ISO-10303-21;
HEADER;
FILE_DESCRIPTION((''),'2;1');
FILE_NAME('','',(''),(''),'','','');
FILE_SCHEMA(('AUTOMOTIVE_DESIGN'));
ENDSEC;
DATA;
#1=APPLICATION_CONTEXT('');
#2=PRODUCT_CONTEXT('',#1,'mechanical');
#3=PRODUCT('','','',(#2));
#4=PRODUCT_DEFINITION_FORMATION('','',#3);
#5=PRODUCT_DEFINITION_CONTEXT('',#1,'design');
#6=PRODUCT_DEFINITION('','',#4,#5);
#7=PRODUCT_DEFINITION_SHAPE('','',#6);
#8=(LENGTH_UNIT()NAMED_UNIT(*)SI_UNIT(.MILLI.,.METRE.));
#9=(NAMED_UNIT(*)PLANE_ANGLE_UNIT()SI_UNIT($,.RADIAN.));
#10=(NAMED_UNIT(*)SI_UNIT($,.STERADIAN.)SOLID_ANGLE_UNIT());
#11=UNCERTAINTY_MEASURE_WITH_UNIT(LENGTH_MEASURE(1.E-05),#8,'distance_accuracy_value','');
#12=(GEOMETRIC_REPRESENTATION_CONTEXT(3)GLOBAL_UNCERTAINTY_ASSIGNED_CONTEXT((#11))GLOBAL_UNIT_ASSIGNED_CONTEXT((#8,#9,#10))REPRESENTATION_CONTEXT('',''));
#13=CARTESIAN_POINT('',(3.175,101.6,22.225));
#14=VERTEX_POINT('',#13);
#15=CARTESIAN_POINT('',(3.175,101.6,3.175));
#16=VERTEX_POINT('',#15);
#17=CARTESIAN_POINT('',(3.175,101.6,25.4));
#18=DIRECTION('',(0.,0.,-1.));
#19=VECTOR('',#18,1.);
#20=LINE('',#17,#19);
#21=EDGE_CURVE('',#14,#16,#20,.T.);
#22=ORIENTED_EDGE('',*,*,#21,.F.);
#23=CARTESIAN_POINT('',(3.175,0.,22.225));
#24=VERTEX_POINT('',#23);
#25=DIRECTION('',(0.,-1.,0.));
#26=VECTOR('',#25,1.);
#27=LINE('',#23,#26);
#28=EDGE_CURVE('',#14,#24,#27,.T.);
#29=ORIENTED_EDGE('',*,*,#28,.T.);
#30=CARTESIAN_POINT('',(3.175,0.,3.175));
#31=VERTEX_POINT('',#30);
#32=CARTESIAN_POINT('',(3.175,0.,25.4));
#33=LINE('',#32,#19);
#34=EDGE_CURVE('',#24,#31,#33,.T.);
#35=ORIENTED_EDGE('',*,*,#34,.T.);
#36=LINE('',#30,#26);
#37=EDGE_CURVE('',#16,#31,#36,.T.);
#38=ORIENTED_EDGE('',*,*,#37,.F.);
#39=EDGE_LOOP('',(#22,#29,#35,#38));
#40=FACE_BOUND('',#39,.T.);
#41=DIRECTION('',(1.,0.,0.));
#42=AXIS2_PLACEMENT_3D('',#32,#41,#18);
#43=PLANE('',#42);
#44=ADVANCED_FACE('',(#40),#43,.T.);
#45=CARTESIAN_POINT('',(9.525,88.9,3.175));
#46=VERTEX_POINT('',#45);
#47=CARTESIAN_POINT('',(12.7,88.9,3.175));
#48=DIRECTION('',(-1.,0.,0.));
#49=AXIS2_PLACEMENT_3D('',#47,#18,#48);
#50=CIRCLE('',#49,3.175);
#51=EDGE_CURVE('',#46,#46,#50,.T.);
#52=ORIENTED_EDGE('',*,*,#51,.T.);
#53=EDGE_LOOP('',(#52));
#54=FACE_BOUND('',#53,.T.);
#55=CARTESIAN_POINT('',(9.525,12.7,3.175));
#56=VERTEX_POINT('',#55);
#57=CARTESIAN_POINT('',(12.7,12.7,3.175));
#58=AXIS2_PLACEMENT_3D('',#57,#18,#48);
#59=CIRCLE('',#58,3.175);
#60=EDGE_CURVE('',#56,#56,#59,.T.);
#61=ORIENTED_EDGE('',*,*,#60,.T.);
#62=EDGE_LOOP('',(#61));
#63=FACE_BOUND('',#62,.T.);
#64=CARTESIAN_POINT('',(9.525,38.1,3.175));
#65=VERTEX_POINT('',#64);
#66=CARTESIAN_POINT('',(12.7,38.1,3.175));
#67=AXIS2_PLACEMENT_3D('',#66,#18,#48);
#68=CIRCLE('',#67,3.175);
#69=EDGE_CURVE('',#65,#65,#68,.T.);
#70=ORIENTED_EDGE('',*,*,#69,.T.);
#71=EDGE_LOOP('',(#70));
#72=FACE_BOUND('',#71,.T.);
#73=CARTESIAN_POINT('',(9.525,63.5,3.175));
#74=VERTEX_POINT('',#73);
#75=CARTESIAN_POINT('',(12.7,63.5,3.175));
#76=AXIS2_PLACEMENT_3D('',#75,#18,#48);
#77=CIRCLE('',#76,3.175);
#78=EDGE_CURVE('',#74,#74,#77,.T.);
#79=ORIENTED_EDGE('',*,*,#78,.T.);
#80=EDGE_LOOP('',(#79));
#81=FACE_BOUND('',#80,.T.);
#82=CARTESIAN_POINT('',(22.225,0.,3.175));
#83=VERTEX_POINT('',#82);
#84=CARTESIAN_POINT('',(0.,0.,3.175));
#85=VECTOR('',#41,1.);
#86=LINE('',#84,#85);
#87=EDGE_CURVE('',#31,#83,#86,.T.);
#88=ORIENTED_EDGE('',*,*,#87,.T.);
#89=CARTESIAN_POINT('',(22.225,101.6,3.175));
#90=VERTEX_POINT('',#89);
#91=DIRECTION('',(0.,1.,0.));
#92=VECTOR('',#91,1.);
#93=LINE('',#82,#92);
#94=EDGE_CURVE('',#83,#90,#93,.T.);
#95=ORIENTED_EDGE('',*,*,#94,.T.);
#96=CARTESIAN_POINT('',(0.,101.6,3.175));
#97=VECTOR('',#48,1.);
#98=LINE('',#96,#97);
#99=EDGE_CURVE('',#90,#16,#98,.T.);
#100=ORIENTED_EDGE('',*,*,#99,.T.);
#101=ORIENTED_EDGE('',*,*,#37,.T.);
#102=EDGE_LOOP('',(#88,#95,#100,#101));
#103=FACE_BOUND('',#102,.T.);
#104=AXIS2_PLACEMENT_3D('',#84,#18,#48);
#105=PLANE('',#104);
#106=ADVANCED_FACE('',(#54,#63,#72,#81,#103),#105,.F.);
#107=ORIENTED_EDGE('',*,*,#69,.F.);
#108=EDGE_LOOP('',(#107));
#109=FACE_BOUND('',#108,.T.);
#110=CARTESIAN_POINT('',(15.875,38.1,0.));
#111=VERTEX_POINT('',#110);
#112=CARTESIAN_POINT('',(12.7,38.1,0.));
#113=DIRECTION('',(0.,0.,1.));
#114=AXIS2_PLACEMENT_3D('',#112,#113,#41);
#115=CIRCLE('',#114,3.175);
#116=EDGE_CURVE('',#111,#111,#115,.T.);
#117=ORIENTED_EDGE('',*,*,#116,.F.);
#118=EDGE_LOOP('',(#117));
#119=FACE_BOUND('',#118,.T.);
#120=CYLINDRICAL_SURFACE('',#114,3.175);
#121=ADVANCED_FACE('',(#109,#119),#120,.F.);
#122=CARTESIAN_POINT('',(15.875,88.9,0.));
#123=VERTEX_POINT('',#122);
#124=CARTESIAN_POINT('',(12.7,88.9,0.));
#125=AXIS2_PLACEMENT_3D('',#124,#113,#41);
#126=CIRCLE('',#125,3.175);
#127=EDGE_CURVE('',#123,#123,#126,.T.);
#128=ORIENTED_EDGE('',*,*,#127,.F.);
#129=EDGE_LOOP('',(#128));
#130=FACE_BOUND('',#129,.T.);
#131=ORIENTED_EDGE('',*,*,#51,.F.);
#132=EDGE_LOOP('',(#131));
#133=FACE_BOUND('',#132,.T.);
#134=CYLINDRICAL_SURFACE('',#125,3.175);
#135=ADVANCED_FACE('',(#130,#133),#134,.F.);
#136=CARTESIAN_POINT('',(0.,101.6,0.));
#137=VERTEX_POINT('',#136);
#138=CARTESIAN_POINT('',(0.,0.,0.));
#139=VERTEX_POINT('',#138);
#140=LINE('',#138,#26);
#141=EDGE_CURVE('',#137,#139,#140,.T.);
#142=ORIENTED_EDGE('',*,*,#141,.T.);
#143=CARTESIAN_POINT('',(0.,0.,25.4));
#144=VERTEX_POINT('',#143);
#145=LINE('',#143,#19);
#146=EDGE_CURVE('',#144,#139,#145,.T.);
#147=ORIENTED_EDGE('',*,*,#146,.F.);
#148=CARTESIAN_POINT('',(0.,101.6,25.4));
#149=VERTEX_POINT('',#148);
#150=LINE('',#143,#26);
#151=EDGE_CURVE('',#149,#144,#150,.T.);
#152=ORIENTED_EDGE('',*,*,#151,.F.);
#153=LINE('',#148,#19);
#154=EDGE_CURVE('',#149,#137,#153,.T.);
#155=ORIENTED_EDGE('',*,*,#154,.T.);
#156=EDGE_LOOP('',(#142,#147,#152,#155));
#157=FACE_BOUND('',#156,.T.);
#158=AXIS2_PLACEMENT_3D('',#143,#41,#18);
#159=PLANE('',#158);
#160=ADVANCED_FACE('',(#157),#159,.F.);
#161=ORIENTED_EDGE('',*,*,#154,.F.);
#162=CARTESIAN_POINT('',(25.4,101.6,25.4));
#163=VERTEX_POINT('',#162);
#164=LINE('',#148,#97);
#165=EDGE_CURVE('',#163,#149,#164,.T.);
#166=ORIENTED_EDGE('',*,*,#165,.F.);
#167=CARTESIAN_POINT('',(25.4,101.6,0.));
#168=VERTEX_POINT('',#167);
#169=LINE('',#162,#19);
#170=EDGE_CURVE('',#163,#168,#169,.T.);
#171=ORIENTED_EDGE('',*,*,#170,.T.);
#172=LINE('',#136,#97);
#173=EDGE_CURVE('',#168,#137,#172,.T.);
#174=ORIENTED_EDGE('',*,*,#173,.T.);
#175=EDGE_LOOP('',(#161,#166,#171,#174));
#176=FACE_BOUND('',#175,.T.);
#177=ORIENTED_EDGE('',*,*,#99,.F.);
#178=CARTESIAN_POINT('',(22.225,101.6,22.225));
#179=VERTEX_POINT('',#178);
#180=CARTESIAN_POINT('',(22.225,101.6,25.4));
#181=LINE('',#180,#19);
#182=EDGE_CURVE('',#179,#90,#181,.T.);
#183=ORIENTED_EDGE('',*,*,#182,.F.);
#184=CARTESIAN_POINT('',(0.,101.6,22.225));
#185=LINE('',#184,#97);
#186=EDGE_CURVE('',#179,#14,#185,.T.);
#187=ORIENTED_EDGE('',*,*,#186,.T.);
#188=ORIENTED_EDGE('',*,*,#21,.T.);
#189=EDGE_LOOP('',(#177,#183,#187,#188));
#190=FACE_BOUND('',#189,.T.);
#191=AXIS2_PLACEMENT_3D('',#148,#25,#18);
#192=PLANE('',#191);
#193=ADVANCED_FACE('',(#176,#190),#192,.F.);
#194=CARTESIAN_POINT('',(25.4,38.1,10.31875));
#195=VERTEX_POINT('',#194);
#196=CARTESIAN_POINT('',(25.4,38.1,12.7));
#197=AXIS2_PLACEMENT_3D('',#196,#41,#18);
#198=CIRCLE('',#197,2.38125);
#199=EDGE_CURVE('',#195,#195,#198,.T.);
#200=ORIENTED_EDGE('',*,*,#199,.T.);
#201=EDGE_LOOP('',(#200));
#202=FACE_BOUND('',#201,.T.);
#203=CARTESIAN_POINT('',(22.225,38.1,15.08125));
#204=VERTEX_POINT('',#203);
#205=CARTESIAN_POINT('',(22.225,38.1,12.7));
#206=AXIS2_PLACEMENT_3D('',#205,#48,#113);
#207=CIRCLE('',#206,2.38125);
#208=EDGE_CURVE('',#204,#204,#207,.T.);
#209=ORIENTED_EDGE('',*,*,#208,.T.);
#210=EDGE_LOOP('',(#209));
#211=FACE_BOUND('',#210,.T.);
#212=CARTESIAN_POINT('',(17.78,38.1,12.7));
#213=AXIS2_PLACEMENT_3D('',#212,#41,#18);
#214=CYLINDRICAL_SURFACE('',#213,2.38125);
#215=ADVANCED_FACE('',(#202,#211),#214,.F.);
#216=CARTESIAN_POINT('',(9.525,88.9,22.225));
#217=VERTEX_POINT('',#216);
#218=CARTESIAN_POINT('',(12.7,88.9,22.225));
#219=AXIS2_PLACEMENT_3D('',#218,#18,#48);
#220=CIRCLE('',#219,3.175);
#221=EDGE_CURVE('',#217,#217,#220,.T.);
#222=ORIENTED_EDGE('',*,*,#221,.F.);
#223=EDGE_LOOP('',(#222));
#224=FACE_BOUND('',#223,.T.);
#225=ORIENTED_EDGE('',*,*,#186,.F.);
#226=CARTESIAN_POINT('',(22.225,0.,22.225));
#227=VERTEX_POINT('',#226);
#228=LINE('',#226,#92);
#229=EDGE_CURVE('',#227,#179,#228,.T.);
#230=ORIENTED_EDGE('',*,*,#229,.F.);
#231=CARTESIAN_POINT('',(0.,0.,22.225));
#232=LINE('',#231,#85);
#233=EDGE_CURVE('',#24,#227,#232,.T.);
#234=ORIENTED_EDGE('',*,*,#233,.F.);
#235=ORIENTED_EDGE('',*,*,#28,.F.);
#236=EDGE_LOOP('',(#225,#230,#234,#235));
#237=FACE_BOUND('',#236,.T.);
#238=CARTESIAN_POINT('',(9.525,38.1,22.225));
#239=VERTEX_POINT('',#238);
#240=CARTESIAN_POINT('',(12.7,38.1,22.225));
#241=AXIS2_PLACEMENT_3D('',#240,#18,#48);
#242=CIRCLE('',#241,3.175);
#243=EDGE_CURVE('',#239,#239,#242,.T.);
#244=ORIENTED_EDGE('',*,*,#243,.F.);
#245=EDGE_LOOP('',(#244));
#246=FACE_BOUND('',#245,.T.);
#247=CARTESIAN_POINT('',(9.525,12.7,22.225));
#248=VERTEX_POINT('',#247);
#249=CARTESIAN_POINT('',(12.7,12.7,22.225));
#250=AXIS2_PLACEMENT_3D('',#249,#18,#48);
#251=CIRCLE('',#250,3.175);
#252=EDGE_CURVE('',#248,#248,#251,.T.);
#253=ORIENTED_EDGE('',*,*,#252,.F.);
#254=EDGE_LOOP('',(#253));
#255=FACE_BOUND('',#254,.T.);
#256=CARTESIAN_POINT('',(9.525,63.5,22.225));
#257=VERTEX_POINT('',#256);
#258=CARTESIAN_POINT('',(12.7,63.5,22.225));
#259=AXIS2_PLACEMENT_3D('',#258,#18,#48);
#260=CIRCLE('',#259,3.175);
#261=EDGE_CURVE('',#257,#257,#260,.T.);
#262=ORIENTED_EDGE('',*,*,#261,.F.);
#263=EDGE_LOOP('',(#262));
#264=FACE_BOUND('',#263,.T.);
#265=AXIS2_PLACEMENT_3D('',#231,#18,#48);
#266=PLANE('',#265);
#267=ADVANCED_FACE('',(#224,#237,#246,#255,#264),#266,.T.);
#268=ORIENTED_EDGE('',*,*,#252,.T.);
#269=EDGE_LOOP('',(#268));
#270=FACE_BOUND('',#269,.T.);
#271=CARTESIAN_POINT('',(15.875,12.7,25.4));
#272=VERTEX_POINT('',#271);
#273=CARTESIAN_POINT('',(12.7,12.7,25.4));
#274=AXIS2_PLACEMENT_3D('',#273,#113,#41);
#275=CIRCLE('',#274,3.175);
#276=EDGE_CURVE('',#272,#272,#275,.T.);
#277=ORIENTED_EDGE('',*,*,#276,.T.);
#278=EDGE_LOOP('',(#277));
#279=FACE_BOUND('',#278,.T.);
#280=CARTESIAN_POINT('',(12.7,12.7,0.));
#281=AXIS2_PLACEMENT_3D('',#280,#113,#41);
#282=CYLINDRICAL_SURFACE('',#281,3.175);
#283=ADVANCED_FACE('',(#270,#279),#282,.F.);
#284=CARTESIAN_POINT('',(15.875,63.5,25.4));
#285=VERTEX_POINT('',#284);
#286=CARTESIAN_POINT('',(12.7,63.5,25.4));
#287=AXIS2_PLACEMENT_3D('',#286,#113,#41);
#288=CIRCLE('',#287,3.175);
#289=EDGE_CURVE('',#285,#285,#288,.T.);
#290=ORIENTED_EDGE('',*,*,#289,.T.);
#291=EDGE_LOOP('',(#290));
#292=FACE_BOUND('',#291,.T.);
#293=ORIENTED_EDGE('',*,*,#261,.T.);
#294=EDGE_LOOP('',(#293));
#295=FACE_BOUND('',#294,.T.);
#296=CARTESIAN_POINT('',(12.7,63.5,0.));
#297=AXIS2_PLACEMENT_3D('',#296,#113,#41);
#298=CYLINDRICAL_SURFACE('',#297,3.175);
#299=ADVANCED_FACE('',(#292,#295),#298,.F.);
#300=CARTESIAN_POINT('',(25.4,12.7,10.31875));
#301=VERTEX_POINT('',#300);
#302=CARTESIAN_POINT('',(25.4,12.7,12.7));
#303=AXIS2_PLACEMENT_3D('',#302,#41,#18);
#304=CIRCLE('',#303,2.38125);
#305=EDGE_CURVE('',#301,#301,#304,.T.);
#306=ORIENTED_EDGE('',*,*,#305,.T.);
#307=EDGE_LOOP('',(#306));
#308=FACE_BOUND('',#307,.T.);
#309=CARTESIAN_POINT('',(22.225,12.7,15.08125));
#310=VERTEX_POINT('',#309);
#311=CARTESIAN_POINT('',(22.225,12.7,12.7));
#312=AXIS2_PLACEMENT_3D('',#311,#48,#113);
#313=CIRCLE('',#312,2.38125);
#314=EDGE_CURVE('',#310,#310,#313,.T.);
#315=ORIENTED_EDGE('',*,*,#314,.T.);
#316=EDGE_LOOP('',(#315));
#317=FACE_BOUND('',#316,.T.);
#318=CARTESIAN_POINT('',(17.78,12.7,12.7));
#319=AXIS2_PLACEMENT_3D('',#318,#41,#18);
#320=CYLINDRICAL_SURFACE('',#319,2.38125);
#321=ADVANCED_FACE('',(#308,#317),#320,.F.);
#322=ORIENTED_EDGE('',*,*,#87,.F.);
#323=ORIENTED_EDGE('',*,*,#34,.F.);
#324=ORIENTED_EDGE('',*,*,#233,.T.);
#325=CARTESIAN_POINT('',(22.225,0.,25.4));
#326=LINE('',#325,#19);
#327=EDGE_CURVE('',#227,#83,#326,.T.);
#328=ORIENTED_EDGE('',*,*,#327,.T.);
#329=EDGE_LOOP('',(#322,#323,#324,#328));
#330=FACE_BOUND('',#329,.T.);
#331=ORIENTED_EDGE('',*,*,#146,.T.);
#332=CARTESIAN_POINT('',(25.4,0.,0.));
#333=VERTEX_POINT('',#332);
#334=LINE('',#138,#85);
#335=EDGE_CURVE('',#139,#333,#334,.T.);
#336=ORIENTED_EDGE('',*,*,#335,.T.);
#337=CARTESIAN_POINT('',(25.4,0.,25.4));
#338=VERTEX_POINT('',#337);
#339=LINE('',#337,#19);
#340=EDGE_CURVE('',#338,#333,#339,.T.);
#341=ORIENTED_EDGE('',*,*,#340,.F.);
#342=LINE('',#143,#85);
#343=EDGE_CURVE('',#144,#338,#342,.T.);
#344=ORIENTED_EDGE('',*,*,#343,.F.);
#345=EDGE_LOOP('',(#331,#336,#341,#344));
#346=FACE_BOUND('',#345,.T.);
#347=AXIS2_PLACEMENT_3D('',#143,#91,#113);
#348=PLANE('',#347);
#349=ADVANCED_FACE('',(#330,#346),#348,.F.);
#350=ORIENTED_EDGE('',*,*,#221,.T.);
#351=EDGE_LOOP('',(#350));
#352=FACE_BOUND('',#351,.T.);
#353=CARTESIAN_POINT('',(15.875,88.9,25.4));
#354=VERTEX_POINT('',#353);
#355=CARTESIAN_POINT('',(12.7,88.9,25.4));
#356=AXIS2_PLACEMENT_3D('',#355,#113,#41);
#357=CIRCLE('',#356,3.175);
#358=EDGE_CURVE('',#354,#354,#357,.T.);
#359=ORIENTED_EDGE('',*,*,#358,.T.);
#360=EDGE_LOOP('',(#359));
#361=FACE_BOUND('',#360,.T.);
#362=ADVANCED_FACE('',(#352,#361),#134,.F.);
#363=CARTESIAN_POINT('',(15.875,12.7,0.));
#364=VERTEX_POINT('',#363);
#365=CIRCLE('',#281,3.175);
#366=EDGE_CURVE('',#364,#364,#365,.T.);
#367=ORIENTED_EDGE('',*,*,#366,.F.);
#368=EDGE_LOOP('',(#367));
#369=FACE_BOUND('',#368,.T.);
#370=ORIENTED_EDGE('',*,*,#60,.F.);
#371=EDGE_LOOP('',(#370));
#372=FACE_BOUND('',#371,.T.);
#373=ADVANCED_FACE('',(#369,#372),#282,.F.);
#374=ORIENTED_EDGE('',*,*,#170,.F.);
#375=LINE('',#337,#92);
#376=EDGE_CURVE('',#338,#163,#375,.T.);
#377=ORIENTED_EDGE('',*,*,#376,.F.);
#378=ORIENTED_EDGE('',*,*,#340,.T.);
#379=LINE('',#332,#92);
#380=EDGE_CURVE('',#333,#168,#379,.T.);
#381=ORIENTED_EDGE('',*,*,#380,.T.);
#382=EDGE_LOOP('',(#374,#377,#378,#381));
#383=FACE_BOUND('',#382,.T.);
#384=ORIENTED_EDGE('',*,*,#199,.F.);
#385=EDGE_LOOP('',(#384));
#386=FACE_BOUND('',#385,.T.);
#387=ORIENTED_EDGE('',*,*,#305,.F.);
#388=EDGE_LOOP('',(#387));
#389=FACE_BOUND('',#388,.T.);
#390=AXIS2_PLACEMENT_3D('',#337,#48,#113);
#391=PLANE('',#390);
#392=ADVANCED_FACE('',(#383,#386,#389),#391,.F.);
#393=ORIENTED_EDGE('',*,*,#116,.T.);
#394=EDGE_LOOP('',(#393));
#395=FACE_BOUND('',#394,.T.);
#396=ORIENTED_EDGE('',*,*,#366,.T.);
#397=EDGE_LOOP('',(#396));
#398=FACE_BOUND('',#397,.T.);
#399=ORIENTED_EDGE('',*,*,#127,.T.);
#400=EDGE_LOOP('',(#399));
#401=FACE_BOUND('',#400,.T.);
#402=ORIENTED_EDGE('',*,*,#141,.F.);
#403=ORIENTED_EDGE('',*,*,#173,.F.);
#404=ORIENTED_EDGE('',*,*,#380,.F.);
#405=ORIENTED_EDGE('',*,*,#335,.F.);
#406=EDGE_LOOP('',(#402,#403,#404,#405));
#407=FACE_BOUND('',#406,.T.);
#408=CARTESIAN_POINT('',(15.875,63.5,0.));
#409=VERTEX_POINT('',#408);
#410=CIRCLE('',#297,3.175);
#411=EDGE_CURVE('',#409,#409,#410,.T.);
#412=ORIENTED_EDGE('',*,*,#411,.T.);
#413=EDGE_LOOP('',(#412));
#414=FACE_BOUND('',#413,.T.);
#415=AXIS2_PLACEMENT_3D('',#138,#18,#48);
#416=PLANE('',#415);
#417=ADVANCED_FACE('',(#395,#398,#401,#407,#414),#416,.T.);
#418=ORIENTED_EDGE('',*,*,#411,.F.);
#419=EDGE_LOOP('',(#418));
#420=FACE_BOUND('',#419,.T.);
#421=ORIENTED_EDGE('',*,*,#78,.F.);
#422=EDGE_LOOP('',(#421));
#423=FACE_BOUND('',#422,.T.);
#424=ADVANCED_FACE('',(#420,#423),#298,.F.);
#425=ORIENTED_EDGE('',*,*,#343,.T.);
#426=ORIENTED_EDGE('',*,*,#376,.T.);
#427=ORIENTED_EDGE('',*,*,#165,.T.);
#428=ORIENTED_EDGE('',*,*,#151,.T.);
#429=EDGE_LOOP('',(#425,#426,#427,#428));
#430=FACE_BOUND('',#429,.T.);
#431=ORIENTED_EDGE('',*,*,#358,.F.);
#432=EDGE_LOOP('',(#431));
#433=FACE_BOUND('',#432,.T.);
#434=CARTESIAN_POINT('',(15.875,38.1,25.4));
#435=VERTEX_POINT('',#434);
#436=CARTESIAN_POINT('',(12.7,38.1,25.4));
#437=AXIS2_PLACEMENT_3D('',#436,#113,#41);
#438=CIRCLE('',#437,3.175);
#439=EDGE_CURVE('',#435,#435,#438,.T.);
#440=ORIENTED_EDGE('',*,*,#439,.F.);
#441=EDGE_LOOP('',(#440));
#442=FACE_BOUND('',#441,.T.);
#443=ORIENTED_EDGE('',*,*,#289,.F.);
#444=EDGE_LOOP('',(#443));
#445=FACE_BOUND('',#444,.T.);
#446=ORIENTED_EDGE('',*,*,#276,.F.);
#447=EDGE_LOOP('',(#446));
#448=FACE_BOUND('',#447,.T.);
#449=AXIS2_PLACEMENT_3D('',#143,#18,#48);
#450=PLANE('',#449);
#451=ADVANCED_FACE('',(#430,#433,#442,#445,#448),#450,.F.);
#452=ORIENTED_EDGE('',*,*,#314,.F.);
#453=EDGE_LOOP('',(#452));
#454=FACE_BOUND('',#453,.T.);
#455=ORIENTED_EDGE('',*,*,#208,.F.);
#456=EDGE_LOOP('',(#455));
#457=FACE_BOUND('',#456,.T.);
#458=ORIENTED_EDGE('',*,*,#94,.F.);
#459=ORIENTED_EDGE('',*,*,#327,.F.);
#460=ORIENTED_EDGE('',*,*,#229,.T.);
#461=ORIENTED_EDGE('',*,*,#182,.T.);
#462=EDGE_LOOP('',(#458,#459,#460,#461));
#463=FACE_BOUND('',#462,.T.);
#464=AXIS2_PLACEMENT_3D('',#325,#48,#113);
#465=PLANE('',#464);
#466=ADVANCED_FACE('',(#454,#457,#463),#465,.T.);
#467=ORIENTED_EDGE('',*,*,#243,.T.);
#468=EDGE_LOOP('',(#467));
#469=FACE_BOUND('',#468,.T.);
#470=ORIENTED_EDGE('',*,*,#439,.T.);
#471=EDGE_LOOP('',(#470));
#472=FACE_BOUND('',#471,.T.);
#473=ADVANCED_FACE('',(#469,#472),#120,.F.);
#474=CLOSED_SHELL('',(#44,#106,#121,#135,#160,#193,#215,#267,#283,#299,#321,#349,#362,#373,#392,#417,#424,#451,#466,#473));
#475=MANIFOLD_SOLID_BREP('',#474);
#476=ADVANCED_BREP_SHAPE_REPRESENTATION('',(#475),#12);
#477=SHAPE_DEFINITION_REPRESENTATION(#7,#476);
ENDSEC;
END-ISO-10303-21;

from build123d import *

# Parameters (mm, degrees)
SKETCH1_W           = 25.4
SKETCH1_H           = 101.6
BOSS_EXTRUDE1_DEPTH = 25.4
SHELL1_T            = -3.175
SKETCH2_R           = 3.175
CUT_EXTRUDE1_DEPTH  = 108.763073453
SKETCH3_R           = 2.38125
CUT_EXTRUDE2_DEPTH  = 7.62


with BuildPart() as part:
    # Sketch1 → Boss-Extrude1 (new body)
    with BuildSketch(Plane.XY):
        with Locations((12.7, 50.8)):
            Rectangle(SKETCH1_W, SKETCH1_H)
    extrude(amount=BOSS_EXTRUDE1_DEPTH)

    # Shell1
    shell1_openings = [part.faces().sort_by_distance(p)[0] for p in [
        (12.7, 101.6, 12.7),
        (12.7, 0, 12.7),
    ]]
    offset(amount=SHELL1_T, openings=shell1_openings, kind=Kind.INTERSECTION)

    # Sketch2 → Cut-Extrude1 (cut, through all)
    with BuildSketch(Plane.XY.offset(25.4)):
        with Locations((12.7, 12.7)):
            Circle(SKETCH2_R)
        with Locations((12.7, 38.1)):
            Circle(SKETCH2_R)
        with Locations((12.7, 88.9)):
            Circle(SKETCH2_R)
        with Locations((12.7, 63.5)):
            Circle(SKETCH2_R)
    extrude(amount=-CUT_EXTRUDE1_DEPTH, mode=Mode.SUBTRACT)

    # Sketch3 → Cut-Extrude2 (cut)
    with BuildSketch(Plane(origin=(25.4, 0, 0), x_dir=(0, 0, -1), z_dir=(1, 0, 0))):
        with Locations((-12.7, 12.7)):
            Circle(SKETCH3_R)
        with Locations((-12.7, 38.1)):
            Circle(SKETCH3_R)
    extrude(amount=-CUT_EXTRUDE2_DEPTH, mode=Mode.SUBTRACT)


solid = part.part
